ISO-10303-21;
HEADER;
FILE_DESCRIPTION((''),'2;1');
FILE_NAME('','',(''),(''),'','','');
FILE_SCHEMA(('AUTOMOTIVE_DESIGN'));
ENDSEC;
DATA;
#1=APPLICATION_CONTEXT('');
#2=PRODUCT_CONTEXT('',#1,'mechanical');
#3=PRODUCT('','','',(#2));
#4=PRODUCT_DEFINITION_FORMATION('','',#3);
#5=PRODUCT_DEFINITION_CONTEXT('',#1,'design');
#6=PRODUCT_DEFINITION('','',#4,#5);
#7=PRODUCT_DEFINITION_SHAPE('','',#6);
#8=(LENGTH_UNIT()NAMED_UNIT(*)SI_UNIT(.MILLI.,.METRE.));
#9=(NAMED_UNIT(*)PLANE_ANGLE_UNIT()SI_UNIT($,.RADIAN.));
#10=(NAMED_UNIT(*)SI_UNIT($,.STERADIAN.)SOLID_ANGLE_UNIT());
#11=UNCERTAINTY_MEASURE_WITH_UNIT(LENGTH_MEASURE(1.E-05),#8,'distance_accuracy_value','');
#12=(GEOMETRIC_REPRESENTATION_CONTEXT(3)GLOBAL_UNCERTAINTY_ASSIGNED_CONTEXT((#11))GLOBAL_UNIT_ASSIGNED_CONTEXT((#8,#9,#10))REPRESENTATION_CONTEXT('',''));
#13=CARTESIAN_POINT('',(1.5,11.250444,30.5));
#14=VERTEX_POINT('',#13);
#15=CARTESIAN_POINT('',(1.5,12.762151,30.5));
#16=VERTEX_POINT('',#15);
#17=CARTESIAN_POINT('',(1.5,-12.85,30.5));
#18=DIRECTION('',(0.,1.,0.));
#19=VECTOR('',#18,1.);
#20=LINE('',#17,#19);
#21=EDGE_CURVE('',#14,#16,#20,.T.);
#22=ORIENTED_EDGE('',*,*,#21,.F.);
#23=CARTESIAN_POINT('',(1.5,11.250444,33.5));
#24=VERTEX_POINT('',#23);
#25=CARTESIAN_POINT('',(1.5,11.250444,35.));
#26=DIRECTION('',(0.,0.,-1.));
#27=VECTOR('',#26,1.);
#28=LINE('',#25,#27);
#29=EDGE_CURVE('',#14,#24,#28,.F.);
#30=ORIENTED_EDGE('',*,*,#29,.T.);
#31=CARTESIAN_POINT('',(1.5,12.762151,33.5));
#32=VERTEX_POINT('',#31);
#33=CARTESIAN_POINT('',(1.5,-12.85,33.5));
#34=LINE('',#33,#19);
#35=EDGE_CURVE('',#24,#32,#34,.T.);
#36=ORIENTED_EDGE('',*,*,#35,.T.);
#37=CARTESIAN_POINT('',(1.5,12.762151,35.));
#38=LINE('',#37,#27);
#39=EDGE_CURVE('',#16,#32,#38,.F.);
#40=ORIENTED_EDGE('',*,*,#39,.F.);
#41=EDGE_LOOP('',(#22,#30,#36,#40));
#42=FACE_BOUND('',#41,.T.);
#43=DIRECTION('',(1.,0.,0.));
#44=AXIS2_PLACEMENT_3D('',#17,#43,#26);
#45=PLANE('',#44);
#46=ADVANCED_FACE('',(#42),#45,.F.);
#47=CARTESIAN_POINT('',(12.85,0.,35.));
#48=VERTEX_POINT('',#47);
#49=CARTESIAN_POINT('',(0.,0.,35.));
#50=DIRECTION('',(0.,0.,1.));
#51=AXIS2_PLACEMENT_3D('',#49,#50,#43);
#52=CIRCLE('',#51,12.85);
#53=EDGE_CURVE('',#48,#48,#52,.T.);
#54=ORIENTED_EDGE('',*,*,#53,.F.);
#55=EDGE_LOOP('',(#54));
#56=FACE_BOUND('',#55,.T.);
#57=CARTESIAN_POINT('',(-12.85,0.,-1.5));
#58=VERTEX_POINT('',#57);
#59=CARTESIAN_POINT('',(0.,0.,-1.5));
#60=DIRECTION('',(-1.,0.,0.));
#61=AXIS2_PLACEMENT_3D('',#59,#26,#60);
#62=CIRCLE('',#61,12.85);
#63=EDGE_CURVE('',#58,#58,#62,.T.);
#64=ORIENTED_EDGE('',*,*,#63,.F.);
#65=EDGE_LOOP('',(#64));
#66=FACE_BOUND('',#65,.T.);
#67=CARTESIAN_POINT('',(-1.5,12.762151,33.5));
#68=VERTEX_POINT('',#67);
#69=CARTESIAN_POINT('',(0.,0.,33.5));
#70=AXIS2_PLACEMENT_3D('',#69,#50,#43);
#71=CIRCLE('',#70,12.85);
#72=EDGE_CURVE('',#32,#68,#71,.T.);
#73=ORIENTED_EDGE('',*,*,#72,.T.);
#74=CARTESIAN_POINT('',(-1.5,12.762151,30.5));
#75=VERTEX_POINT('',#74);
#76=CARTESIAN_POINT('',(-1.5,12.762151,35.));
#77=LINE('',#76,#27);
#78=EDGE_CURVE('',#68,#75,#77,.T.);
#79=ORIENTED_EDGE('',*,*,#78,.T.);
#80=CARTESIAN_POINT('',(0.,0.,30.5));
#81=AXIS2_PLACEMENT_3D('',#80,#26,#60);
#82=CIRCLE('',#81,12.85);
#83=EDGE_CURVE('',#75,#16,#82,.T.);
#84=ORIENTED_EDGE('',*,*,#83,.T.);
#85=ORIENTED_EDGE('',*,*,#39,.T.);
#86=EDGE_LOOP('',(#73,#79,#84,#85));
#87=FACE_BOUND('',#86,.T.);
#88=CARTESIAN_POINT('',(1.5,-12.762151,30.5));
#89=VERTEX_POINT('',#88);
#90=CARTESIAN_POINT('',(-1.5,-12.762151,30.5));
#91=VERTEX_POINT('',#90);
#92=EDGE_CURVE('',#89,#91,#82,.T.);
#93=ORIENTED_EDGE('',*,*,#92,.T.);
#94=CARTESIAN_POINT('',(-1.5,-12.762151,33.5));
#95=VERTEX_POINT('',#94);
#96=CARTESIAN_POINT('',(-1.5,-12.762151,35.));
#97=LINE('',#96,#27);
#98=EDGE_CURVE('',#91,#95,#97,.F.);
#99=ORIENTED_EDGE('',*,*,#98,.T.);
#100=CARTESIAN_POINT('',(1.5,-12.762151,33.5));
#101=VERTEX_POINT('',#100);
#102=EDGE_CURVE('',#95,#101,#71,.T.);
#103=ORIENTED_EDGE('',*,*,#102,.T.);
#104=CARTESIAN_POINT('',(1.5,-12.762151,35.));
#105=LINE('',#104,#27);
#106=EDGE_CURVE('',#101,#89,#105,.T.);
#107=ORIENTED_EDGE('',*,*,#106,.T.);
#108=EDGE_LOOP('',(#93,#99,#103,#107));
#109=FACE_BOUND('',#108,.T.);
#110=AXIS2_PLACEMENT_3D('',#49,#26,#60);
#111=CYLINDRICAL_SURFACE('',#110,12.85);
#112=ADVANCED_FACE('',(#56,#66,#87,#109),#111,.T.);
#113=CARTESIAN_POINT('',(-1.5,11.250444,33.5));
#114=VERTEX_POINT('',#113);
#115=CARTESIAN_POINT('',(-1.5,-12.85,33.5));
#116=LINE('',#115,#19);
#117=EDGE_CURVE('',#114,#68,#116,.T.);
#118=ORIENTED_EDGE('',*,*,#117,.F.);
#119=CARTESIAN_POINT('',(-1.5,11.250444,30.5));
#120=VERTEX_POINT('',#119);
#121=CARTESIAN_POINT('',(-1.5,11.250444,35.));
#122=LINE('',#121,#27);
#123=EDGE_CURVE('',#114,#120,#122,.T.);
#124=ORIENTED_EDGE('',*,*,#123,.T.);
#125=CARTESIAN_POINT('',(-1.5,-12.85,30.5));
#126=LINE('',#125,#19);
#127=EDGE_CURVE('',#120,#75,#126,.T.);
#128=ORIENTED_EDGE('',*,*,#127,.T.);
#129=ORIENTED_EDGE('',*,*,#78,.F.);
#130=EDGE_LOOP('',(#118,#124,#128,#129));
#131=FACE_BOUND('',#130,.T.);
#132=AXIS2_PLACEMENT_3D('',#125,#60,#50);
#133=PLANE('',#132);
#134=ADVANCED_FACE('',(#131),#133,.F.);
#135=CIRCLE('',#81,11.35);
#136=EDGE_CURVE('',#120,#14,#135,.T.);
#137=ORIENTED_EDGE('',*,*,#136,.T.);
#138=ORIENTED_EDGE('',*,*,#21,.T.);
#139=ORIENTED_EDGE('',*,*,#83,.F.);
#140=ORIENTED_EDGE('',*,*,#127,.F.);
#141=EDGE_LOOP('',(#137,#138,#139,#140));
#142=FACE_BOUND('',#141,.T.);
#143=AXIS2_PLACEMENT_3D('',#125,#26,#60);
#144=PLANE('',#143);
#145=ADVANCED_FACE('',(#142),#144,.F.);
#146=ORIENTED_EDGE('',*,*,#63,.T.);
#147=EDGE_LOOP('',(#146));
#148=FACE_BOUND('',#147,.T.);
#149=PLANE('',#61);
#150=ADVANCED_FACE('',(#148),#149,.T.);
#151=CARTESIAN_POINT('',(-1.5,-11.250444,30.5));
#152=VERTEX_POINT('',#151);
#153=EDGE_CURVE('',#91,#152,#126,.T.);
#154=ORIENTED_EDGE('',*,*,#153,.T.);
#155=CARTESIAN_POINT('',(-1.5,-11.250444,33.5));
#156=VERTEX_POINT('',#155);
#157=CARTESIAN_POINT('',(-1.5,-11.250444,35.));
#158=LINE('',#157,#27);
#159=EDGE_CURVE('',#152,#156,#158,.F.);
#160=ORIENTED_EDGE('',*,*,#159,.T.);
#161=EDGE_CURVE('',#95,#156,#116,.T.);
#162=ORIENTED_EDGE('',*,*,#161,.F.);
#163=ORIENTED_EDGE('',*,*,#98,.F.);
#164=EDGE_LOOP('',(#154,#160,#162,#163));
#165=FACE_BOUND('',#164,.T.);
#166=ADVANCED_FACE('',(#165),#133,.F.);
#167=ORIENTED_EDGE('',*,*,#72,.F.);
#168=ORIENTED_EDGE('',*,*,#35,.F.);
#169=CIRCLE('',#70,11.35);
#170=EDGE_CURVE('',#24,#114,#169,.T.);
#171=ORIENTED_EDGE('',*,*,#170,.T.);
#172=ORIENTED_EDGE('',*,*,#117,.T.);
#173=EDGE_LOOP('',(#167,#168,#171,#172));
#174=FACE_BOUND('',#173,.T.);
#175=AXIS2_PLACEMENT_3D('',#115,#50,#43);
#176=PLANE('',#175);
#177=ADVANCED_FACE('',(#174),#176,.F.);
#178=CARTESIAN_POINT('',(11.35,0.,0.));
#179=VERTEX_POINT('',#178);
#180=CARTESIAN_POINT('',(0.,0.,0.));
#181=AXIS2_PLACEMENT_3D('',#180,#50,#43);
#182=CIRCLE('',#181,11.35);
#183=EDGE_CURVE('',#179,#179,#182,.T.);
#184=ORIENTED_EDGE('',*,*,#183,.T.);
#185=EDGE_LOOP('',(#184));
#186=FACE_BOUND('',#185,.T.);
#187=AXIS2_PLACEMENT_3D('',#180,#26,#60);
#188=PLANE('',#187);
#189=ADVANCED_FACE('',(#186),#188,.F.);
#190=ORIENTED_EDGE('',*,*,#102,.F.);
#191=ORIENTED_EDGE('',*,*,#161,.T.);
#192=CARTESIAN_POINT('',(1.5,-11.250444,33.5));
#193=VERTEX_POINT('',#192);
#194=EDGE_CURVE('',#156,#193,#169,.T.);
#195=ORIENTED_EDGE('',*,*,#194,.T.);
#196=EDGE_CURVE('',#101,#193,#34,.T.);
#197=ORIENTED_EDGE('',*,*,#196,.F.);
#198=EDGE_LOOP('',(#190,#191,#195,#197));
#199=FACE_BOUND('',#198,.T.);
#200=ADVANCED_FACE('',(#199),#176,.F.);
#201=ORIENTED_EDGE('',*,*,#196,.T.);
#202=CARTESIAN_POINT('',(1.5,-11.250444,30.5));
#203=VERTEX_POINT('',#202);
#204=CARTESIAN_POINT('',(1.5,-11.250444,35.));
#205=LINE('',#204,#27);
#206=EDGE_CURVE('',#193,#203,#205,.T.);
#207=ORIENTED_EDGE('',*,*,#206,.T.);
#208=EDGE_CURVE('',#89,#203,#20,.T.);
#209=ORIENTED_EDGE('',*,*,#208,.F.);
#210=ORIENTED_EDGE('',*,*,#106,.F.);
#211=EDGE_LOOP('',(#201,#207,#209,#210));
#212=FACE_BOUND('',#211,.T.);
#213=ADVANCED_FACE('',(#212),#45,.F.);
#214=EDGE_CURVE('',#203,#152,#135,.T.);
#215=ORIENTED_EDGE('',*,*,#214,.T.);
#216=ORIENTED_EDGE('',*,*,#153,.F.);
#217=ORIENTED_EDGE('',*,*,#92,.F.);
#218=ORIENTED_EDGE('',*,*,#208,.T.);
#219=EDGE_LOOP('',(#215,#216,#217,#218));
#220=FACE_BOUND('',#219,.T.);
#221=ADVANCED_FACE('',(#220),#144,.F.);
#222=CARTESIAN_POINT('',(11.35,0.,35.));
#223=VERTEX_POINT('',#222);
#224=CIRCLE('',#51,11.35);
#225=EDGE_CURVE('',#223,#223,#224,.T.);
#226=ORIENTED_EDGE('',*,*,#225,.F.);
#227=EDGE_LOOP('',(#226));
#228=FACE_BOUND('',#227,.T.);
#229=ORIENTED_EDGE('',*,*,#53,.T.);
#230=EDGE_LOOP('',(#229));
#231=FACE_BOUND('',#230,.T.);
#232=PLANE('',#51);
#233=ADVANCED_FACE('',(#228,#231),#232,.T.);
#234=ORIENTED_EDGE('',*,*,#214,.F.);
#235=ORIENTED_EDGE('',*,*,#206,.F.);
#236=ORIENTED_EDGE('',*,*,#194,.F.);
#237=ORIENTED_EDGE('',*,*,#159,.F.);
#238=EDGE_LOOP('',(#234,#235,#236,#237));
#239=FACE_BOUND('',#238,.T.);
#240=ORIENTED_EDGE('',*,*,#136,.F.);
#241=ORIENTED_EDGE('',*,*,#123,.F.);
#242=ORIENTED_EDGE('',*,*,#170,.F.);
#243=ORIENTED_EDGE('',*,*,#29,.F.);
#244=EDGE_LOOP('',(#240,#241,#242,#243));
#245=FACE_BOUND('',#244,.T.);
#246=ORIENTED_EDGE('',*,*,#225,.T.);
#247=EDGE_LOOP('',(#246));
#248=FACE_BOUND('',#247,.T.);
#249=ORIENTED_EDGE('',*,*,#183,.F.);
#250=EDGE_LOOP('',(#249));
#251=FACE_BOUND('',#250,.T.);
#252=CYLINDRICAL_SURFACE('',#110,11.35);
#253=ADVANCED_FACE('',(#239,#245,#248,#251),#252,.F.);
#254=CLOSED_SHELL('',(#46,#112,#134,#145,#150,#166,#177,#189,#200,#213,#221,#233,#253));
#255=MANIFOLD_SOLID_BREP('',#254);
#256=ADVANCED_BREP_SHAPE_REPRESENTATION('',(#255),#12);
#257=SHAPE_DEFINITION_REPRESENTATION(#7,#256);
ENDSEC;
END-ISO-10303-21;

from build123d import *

# Parameters (mm, degrees)
ESBO_O1_R                  = 12.85
ESBO_O1_R_2                = 11.35
RESSALTO_EXTRUS_O1_DEPTH   = 35
ESBO_O2_R                  = 12.85
RESSALTO_EXTRUS_O2_DEPTH   = 1.5
ESBO_O3_W                  = 3
ESBO_O3_H                  = 3
CORTE_EXTRUS_O1_DEPTH      = 13.85
CORTE_EXTRUS_O1_DEPTH_BACK = 13.85


with BuildPart() as part:
    # Esboço1 → Ressalto-extrusão1 (new body)
    with BuildSketch(Plane.XY):
        Circle(ESBO_O1_R)
        Circle(ESBO_O1_R_2, mode=Mode.SUBTRACT)
    extrude(amount=RESSALTO_EXTRUS_O1_DEPTH)

    # Esboço2 → Ressalto-extrusão2 (add)
    with BuildSketch(Plane(origin=(0, 0, 0), x_dir=(-1, 0, 0), z_dir=(0, 0, -1))):
        Circle(ESBO_O2_R)
    extrude(amount=RESSALTO_EXTRUS_O2_DEPTH)

    # Esboço3 → Corte-extrusão1 (cut, two sides)
    with BuildSketch(Plane(origin=(0, 0, 0), x_dir=(1, 0, 0), z_dir=(0, 1, 0))) as corte_extrus_o1_sk:
        with Locations((0, -32)):
            Rectangle(ESBO_O3_W, ESBO_O3_H)
    extrude(amount=CORTE_EXTRUS_O1_DEPTH, mode=Mode.SUBTRACT)
    extrude(corte_extrus_o1_sk.sketch, amount=-CORTE_EXTRUS_O1_DEPTH_BACK, mode=Mode.SUBTRACT)


solid = part.part
